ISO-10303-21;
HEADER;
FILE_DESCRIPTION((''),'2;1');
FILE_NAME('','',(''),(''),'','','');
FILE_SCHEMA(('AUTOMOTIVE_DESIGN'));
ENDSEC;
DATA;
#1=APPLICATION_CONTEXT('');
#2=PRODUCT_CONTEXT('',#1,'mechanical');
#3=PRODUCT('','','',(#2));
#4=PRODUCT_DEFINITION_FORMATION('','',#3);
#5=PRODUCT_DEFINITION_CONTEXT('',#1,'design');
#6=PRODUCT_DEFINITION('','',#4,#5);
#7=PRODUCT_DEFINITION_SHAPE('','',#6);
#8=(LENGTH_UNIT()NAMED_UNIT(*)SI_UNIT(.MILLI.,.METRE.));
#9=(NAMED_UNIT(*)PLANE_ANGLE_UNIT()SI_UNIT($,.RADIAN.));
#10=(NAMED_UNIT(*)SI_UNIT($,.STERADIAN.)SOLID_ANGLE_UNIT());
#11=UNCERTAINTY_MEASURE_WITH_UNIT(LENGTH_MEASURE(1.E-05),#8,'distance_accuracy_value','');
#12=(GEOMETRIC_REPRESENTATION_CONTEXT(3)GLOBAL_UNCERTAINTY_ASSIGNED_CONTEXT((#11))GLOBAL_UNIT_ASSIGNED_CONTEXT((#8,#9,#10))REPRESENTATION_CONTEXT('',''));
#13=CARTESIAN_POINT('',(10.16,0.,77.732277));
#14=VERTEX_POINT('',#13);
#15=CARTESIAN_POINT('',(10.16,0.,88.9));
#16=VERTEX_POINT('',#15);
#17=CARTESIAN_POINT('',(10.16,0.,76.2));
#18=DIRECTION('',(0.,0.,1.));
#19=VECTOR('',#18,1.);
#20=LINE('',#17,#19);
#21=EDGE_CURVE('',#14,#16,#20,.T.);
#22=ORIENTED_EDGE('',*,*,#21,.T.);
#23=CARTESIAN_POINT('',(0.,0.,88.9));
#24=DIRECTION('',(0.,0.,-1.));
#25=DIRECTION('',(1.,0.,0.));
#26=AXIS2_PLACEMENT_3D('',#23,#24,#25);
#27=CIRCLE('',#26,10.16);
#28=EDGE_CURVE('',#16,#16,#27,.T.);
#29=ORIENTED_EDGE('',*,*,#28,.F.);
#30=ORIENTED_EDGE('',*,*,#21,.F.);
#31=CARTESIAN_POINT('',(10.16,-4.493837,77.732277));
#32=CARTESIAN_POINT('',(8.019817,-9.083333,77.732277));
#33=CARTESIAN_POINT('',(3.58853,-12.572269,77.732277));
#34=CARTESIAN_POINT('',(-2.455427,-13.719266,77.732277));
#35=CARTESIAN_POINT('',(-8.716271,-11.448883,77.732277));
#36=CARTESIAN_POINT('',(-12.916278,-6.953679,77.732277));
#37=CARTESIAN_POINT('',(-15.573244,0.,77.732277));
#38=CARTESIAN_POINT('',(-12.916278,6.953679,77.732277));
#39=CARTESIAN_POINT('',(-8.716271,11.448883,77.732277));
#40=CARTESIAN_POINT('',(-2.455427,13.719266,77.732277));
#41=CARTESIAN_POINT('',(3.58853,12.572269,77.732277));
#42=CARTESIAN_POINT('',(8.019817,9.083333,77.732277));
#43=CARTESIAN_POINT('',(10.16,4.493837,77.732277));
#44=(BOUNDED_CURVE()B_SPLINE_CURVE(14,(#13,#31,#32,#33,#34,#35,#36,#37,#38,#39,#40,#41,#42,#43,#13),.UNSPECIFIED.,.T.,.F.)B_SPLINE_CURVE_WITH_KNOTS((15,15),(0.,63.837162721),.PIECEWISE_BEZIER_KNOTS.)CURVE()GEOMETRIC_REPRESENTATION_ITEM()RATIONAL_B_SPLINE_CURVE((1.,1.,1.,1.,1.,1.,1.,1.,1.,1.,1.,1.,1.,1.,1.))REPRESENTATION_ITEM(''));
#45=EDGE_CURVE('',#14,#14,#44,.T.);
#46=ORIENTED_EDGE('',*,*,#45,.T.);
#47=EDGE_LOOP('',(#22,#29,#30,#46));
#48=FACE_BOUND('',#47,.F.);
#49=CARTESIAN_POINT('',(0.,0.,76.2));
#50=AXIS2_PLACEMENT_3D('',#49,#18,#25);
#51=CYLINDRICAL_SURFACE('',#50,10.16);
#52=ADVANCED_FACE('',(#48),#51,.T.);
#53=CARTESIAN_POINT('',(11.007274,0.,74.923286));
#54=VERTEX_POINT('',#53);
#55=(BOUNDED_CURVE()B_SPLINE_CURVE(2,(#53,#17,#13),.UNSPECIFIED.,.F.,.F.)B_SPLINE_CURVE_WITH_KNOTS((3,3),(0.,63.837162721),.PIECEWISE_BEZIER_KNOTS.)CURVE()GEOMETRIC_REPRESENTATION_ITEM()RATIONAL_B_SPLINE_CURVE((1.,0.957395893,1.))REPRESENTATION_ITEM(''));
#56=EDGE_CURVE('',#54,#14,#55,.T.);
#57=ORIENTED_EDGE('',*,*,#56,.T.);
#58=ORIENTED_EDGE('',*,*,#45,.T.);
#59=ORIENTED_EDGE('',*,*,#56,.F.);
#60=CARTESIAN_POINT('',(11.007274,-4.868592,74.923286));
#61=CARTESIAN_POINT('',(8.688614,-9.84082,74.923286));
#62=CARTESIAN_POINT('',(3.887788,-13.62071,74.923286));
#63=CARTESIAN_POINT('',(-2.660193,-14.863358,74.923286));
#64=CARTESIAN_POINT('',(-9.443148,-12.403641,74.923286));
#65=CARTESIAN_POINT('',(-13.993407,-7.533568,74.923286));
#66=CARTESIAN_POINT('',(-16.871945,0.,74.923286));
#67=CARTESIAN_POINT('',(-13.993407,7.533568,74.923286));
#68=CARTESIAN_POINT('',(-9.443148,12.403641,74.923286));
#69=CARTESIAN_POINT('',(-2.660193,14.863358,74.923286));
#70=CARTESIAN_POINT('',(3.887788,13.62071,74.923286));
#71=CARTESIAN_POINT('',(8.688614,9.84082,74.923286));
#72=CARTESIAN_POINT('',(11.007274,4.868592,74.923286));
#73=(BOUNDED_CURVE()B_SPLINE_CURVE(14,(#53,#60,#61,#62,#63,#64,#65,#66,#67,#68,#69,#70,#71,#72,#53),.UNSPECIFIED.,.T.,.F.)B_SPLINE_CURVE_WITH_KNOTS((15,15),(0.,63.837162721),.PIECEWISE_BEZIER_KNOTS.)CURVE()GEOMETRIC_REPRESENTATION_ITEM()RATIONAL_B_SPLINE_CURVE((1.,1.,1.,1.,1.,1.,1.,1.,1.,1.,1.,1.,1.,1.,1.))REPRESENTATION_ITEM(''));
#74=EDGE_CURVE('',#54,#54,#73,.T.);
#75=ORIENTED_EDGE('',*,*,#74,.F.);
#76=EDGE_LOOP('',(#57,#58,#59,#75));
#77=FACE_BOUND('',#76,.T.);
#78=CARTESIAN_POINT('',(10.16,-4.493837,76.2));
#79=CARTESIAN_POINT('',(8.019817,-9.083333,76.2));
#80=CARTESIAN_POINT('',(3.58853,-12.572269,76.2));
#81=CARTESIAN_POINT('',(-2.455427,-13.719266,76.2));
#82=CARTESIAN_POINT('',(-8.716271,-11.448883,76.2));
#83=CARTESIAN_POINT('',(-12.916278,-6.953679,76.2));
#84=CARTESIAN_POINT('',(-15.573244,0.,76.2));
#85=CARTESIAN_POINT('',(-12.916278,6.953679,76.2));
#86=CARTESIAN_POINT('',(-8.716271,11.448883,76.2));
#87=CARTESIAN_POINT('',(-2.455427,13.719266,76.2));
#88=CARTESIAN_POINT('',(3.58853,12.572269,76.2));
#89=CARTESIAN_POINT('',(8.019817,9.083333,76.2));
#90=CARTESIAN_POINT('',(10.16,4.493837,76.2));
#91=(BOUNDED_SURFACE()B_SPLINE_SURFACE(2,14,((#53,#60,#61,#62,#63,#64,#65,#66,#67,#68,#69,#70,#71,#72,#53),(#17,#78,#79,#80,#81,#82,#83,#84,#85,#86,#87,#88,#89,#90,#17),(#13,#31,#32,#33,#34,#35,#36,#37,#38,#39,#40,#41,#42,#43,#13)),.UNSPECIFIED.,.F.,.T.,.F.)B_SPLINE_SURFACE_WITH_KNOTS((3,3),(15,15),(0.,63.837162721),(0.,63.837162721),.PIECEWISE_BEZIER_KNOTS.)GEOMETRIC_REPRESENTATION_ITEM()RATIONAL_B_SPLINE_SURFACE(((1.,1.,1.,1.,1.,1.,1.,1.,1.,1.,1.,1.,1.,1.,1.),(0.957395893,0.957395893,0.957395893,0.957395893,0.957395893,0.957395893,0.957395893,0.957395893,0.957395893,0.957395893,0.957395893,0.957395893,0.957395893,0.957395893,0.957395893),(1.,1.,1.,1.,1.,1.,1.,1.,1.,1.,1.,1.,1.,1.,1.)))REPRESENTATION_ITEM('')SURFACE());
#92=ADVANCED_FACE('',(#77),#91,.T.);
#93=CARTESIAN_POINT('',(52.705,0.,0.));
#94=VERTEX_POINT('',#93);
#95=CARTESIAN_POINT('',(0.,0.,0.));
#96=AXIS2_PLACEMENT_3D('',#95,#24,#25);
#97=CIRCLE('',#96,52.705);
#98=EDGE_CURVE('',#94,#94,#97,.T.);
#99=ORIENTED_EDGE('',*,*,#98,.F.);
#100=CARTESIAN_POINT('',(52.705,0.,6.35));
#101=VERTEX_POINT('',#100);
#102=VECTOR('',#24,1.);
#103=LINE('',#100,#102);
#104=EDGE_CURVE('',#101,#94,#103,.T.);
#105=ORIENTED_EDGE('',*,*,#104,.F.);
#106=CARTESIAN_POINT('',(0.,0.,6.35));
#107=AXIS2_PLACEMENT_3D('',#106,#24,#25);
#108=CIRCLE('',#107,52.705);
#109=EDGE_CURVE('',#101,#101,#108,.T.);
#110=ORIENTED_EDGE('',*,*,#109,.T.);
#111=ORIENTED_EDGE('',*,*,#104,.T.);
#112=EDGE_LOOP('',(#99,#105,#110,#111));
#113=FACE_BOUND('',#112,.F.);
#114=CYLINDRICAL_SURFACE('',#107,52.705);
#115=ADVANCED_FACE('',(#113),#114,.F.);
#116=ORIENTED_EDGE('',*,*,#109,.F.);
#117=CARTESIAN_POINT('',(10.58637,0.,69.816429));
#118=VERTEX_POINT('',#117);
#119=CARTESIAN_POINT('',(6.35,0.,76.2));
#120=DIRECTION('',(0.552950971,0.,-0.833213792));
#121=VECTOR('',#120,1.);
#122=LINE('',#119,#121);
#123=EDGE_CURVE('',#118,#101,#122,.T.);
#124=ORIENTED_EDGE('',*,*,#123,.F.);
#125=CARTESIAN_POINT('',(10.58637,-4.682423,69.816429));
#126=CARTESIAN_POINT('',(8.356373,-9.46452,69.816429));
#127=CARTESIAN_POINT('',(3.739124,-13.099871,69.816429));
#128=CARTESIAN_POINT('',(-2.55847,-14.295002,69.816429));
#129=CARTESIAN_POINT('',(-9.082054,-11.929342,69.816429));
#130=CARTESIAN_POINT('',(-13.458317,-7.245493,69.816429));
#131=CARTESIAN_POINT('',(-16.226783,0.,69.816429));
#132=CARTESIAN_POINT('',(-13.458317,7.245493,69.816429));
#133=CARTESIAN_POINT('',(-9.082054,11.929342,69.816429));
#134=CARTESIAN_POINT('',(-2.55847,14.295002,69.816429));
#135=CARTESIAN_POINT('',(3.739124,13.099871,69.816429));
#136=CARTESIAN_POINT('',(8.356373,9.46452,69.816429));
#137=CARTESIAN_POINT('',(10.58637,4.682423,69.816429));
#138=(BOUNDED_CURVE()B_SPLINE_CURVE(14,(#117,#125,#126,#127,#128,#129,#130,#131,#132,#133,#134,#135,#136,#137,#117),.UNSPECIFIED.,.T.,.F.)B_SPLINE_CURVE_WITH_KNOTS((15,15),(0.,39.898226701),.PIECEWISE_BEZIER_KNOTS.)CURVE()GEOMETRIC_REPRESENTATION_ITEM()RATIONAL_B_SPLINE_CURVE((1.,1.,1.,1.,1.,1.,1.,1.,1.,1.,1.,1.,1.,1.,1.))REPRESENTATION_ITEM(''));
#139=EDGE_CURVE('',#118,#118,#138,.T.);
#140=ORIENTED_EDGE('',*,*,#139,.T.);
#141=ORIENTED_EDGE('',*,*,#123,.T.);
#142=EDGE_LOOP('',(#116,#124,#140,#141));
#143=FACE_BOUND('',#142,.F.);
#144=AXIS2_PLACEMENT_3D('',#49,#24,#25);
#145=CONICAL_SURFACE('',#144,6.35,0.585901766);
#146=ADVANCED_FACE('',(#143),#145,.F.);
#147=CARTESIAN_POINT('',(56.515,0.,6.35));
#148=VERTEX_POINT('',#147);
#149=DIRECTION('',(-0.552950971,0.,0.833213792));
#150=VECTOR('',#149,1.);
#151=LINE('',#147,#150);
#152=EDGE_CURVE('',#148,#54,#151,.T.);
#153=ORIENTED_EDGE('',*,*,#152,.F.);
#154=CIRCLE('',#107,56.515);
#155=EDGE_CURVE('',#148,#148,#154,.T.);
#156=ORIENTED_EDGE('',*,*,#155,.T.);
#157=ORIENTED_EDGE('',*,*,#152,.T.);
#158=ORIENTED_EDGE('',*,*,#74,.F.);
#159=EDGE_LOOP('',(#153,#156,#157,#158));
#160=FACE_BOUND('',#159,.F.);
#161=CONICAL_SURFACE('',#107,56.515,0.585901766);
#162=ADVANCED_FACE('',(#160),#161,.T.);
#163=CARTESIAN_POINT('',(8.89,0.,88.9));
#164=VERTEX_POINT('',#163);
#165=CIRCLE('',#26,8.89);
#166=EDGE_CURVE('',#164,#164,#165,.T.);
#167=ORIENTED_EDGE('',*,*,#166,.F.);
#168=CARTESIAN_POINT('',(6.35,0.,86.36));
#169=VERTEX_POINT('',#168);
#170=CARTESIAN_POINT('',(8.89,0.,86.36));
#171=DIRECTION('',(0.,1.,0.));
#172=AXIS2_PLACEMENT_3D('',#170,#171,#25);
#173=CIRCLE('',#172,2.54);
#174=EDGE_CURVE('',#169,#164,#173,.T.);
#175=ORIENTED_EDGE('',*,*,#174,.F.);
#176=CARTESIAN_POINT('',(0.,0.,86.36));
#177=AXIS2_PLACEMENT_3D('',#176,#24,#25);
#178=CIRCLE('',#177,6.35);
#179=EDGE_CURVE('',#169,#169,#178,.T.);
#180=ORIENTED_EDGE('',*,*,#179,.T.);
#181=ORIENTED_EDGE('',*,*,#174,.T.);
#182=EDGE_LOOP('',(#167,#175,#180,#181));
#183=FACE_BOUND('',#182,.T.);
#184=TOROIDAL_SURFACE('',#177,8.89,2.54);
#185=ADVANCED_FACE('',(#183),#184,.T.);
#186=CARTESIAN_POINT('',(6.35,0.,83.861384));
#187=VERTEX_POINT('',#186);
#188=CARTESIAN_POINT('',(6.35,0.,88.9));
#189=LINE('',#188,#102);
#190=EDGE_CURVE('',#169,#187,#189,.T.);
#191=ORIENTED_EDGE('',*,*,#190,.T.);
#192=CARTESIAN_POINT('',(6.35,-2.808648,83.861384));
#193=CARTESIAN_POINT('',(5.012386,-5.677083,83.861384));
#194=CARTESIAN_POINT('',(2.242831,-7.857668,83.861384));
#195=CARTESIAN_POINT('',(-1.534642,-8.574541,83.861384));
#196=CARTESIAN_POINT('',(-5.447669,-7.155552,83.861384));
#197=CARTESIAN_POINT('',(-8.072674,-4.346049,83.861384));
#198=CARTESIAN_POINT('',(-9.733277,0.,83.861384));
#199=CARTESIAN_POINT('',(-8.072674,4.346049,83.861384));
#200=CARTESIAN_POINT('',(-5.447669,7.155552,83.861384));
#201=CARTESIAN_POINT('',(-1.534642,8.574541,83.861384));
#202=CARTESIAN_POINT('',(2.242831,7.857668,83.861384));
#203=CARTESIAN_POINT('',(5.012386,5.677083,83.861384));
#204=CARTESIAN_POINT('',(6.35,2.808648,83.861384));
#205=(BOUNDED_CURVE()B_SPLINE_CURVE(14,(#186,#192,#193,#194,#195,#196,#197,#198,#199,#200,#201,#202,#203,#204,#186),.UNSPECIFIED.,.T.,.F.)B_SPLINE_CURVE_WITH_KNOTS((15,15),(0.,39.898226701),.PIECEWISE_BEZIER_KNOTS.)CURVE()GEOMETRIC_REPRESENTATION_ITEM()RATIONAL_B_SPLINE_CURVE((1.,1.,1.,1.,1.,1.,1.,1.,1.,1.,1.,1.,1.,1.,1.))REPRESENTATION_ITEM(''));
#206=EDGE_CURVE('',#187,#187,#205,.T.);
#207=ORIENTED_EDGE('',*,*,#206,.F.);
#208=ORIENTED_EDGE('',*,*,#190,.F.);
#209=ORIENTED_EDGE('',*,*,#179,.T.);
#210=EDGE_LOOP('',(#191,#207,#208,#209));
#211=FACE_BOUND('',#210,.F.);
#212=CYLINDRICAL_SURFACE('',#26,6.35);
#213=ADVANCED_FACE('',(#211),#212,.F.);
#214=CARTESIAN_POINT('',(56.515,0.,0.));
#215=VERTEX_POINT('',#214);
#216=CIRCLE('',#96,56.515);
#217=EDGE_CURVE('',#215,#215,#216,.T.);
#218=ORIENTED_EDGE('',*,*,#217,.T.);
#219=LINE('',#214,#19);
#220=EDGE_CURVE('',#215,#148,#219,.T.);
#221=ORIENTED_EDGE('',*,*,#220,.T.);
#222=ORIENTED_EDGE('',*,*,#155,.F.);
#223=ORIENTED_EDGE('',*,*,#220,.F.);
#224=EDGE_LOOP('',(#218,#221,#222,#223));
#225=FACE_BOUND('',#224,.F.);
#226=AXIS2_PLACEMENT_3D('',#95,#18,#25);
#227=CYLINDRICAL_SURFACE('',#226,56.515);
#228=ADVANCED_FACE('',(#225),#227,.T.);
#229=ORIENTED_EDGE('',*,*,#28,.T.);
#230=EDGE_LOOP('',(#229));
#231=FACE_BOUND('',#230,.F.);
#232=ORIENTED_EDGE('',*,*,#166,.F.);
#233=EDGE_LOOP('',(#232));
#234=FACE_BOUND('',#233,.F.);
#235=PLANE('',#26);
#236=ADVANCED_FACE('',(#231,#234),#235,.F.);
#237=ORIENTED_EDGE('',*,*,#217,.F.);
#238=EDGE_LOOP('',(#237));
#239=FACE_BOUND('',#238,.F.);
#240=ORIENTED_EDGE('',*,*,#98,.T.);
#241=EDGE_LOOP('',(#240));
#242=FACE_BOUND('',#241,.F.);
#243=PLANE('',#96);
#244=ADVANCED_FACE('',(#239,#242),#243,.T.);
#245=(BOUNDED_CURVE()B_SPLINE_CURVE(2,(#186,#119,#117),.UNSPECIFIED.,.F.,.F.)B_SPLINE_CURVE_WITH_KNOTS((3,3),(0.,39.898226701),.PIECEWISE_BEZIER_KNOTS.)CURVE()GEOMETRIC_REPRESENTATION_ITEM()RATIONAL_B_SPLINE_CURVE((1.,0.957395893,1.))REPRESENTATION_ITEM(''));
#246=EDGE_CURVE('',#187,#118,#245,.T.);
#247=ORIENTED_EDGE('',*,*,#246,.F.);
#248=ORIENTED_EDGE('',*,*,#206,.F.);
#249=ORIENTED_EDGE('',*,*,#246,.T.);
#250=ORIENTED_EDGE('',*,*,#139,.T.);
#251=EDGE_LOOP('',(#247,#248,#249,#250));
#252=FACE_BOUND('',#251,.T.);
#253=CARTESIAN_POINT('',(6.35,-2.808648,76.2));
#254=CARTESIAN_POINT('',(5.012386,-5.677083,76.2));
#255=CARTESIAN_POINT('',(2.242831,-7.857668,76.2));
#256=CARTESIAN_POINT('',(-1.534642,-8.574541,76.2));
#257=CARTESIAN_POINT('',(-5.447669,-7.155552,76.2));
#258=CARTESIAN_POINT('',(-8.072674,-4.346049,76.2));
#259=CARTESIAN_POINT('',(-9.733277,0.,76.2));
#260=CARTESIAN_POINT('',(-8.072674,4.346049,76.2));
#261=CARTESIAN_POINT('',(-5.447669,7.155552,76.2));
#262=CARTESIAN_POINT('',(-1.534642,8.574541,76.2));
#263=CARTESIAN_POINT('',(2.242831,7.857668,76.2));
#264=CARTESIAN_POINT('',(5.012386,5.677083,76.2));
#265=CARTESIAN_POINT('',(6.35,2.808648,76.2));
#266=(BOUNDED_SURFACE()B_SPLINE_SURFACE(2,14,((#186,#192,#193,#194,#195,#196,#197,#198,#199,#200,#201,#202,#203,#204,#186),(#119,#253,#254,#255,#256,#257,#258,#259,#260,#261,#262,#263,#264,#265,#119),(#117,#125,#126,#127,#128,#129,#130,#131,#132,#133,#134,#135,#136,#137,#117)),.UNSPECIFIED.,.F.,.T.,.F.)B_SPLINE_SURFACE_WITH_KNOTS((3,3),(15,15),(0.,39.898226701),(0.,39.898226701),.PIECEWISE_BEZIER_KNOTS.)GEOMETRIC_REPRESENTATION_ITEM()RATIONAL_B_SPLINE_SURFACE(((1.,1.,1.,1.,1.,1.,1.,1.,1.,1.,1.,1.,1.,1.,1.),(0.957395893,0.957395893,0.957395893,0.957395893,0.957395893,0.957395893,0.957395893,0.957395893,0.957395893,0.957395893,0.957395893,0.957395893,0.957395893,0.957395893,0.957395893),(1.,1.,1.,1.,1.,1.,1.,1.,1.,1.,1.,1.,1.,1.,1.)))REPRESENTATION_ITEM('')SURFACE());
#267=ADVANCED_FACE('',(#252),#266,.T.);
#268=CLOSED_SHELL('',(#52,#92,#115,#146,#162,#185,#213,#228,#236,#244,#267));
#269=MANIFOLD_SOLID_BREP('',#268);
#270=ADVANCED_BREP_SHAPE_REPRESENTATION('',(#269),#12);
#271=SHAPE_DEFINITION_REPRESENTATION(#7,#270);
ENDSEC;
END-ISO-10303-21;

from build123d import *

# Parameters (mm, degrees)
F3_R = 5.08
F4_R = 25.4
F5_R = 2.54


with BuildPart() as f2:
    # F0 (on Front) → F2 (revolve)
    with BuildSketch(Plane.XZ):
        Polygon((52.705, 6.35), (52.705, 0), (56.515, 0), (56.515, 6.35), (10.16, 76.2), (10.16, 88.9), (6.35, 88.9), (6.35, 76.2), align=None)
    revolve(axis=Axis((0, 0, 41.439734), (0, 0, -1)))

    # F3
    f3_edges = [f2.edges().sort_by_distance(p)[0] for p in [
        (-10.16, 0, 76.2),
    ]]
    fillet(f3_edges, radius=F3_R)

    # F4
    f4_edges = [f2.edges().sort_by_distance(p)[0] for p in [
        (-6.35, 0, 76.2),
    ]]
    fillet(f4_edges, radius=F4_R)

    # F5
    f5_edges = [f2.edges().sort_by_distance(p)[0] for p in [
        (-6.35, 0, 88.9),
    ]]
    fillet(f5_edges, radius=F5_R)


solid = f2.part
